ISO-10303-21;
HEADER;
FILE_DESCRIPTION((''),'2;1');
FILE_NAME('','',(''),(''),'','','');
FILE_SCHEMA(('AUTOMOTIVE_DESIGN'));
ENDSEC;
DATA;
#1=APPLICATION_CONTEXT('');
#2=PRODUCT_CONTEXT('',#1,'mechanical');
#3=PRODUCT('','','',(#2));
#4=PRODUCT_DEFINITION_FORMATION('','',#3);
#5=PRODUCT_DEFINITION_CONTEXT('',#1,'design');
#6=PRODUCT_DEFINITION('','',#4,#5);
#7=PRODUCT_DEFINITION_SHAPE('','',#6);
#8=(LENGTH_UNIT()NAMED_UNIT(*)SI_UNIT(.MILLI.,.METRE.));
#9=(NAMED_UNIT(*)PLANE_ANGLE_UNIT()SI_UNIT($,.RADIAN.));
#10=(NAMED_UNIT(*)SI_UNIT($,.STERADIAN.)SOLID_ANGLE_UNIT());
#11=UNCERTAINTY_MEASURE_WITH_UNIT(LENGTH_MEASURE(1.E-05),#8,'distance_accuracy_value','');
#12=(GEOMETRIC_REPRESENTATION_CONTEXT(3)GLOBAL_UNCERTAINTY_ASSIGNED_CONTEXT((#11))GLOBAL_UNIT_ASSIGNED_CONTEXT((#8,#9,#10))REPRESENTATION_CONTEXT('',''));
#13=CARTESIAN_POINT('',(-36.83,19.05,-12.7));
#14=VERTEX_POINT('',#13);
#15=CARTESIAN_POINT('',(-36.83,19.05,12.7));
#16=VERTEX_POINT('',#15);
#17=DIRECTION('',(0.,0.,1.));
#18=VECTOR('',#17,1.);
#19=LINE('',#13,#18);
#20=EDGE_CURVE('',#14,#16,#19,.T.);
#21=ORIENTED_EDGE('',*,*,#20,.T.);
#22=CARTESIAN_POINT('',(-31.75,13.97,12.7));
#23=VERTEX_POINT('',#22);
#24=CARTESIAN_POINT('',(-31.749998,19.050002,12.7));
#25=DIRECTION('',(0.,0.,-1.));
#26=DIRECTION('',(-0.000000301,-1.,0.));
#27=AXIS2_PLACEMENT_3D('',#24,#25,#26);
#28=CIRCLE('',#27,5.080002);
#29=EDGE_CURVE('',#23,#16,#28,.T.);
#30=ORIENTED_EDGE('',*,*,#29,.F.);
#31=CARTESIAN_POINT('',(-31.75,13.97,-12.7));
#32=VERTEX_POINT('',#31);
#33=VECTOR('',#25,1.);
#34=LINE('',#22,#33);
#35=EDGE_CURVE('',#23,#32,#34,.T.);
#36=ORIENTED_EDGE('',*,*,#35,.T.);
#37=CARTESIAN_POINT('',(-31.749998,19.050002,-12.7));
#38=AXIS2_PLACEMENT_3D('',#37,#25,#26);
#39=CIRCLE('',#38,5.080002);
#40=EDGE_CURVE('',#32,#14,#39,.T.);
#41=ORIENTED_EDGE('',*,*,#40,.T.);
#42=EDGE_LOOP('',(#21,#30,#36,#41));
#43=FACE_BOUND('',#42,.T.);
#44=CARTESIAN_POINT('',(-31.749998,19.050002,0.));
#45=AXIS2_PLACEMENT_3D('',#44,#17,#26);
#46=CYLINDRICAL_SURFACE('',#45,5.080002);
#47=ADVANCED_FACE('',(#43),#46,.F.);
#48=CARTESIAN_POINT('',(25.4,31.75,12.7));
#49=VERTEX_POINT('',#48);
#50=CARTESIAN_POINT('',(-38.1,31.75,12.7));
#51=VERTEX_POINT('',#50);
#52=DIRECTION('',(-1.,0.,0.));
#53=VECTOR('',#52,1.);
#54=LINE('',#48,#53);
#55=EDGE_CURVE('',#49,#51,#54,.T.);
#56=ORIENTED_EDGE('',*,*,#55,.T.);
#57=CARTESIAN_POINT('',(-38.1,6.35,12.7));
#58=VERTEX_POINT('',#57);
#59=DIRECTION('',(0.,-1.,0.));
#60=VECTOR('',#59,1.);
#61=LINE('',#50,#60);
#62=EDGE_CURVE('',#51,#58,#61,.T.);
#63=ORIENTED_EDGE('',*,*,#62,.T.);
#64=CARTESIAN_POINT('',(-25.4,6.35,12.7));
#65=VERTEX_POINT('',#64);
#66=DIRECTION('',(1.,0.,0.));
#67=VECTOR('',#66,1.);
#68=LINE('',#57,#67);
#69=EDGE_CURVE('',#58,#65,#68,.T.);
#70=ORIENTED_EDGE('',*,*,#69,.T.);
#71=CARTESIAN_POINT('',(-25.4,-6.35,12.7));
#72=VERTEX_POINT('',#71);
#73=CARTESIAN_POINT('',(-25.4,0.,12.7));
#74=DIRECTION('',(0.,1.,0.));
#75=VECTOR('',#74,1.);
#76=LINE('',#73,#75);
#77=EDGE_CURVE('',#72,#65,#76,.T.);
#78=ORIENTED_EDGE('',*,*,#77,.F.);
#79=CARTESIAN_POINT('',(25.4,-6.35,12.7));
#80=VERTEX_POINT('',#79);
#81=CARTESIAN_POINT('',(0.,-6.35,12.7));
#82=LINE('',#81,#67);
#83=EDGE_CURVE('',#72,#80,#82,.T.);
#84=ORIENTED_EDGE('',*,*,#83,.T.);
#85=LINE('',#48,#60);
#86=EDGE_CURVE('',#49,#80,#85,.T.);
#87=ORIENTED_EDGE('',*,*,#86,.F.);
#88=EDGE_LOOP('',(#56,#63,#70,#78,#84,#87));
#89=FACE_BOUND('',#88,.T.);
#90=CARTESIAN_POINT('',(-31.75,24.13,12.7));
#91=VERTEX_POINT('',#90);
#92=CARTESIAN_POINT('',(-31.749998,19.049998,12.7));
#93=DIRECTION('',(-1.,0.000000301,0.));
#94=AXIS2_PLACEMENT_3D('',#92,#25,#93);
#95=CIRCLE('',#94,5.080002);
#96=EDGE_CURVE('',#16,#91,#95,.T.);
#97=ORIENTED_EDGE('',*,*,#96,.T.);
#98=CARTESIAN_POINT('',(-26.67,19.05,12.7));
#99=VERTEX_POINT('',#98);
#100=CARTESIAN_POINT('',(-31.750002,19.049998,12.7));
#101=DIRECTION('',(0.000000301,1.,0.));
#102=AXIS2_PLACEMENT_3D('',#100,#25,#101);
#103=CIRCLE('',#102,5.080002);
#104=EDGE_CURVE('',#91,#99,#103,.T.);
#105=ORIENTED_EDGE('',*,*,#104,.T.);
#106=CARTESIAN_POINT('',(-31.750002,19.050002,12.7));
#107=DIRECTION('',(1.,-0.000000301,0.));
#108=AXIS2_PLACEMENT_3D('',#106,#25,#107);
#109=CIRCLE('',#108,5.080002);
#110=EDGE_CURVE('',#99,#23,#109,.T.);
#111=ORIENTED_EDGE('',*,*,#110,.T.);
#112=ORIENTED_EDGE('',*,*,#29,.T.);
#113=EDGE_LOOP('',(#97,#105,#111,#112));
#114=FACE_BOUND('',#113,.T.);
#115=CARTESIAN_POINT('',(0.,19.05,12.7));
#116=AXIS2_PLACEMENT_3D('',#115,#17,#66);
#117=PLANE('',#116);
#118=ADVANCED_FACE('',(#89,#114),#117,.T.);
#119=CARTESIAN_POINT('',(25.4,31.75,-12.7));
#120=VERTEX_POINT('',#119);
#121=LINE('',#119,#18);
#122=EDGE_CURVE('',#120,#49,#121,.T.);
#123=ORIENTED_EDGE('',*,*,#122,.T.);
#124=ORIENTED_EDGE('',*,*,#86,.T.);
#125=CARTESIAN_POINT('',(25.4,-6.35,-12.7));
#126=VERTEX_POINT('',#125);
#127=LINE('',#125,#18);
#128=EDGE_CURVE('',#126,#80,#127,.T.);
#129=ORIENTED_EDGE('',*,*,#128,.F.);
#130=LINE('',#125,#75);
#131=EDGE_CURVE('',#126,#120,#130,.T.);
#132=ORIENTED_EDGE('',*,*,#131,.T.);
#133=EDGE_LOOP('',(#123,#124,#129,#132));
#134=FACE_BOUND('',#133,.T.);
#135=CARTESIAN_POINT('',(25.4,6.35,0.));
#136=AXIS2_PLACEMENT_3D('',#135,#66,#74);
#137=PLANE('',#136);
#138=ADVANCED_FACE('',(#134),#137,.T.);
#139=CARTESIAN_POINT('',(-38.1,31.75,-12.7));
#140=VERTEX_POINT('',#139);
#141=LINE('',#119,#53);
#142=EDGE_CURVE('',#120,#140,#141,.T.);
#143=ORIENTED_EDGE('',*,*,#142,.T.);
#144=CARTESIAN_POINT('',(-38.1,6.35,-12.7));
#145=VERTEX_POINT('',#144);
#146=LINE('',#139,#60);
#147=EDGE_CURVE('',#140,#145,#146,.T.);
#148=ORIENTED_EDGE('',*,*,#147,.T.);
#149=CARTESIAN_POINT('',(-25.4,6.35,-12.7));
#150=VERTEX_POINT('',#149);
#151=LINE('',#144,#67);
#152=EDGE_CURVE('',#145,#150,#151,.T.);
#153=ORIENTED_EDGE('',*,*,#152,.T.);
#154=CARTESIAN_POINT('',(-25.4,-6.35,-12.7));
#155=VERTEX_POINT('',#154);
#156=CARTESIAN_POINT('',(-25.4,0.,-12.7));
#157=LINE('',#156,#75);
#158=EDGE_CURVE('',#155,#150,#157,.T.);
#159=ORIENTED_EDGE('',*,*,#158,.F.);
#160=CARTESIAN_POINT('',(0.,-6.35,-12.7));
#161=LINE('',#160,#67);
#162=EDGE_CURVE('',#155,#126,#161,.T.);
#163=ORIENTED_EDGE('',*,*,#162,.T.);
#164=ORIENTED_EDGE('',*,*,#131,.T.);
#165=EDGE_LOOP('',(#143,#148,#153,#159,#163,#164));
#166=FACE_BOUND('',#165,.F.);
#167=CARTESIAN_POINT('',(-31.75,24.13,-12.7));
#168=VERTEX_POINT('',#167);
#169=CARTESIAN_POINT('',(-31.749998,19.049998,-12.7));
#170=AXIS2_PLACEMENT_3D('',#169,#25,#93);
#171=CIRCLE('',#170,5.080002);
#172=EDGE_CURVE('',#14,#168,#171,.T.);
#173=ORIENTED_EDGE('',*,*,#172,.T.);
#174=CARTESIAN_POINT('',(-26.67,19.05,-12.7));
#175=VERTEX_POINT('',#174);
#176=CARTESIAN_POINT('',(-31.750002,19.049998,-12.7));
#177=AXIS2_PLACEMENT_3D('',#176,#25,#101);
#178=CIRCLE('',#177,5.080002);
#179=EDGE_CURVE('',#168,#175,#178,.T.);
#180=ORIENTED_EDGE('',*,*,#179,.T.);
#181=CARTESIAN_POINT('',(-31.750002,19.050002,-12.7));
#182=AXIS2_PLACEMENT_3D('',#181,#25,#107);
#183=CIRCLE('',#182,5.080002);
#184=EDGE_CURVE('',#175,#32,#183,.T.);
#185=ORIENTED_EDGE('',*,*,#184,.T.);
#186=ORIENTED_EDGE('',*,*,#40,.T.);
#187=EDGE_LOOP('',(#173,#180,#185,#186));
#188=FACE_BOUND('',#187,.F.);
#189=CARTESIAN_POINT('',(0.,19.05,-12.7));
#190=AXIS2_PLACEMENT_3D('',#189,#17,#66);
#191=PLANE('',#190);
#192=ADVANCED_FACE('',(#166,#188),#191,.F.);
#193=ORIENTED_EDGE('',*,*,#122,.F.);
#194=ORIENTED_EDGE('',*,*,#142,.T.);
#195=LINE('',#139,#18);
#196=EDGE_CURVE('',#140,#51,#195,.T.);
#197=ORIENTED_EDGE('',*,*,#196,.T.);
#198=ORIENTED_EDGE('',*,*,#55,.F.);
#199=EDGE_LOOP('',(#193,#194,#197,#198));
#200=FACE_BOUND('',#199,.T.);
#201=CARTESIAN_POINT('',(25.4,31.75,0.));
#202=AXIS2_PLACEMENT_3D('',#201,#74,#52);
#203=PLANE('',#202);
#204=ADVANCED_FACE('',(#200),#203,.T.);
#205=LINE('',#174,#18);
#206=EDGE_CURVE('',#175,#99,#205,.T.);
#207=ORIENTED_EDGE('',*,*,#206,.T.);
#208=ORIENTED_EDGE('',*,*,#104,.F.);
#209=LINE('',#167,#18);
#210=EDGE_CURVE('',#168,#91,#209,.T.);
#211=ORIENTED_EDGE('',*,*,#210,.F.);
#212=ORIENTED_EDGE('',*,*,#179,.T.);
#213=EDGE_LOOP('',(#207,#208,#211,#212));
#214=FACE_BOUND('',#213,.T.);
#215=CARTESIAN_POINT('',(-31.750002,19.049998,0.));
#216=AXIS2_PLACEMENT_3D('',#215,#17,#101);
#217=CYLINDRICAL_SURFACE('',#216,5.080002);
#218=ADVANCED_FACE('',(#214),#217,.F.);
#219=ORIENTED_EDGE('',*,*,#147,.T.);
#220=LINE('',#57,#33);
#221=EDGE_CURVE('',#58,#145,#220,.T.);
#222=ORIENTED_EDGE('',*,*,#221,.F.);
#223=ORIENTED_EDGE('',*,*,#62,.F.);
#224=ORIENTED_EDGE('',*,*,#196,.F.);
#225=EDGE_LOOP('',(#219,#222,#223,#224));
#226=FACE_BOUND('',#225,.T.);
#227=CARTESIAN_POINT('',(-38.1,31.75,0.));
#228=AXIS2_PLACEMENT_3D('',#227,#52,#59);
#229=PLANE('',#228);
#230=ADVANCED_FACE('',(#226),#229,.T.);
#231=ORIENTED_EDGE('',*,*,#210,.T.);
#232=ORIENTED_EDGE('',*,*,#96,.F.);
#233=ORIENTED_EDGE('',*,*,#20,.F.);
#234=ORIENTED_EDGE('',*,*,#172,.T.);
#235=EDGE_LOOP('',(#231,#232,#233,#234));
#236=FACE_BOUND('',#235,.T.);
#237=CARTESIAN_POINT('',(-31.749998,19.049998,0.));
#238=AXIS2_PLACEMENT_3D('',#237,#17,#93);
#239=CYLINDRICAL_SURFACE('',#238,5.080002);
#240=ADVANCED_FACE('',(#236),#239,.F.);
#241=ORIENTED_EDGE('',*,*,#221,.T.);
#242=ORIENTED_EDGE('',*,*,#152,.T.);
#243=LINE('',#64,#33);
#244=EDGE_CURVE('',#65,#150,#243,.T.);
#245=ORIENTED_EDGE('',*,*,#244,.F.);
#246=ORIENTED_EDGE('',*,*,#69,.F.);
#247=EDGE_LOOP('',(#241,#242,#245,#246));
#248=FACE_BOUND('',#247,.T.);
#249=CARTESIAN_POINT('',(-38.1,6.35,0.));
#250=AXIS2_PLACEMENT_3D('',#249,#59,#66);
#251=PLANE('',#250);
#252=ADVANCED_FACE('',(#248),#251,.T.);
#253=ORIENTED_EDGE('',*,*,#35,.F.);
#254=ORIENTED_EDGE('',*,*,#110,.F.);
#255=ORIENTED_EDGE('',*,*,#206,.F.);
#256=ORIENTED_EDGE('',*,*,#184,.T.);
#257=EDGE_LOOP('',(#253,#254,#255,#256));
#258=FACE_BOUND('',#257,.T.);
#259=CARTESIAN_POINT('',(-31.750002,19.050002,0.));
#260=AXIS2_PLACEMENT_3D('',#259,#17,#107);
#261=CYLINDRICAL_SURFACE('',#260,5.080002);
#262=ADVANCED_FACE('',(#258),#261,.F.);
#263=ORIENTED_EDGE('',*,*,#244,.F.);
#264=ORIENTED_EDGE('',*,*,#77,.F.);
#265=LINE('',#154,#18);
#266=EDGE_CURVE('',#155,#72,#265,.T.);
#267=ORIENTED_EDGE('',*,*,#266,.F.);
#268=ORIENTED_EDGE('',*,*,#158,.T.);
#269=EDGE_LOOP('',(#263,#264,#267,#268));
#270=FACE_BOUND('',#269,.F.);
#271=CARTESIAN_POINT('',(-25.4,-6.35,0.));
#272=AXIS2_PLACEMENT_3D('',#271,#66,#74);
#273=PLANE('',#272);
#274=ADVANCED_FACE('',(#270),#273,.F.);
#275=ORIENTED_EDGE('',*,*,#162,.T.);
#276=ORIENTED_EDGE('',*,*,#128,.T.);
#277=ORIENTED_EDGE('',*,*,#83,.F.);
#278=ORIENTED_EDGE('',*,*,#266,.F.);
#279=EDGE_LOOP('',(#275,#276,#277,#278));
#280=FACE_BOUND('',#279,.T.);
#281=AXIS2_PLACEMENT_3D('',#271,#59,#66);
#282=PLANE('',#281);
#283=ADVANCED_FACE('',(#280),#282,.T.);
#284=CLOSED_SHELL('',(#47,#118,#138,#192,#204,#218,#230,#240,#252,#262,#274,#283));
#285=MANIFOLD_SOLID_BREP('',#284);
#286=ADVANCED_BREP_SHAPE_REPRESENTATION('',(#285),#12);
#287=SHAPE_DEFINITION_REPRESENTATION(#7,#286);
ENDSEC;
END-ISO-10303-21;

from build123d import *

# Parameters (mm, degrees)
F0_W     = 50.8
F0_H     = 12.7
F1_DEPTH = 12.7
F2_DEPTH = 12.7


with BuildPart() as f1:
    # F0 (on Top) → F1 (new body, symmetric)
    with BuildSketch(Plane.XY):
        Rectangle(F0_W, F0_H)
    extrude(amount=F1_DEPTH, both=True)

    # F0 (on Top) → F2 (join, symmetric)
    with BuildSketch(Plane.XY):
        Polygon((-25.4, 6.35), (25.4, 6.35), (25.4, 31.75), (-25.4, 31.75), (-25.4, 19.05), align=None)
        with BuildLine():
            Line((-26.67, 19.05), (-25.4, 19.05))
            Line((-25.4, 19.05), (-25.4, 31.75))
            Line((-25.4, 31.75), (-31.75, 31.75))
            Line((-31.75, 31.75), (-31.75, 24.13))
            ThreePointArc((-31.75, 24.13), (-28.157898, 22.642102), (-26.67, 19.05))
        make_face()
        with BuildLine():
            Line((-31.75, 24.13), (-31.75, 31.75))
            Line((-31.75, 31.75), (-38.1, 31.75))
            Line((-38.1, 31.75), (-38.1, 19.05))
            Line((-38.1, 19.05), (-36.83, 19.05))
            ThreePointArc((-36.83, 19.05), (-35.342102, 22.642102), (-31.75, 24.13))
        make_face()
        with BuildLine():
            Line((-38.1, 6.35), (-31.75, 6.35))
            Line((-31.75, 6.35), (-31.75, 13.97))
            ThreePointArc((-31.75, 13.97), (-35.342102, 15.457898), (-36.83, 19.05))
            Line((-36.83, 19.05), (-38.1, 19.05))
            Line((-38.1, 19.05), (-38.1, 6.35))
        make_face()
        with BuildLine():
            Line((-31.75, 6.35), (-25.4, 6.35))
            Line((-25.4, 6.35), (-25.4, 19.05))
            Line((-25.4, 19.05), (-26.67, 19.05))
            ThreePointArc((-26.67, 19.05), (-28.157898, 15.457898), (-31.75, 13.97))
            Line((-31.75, 13.97), (-31.75, 6.35))
        make_face()
    extrude(amount=F2_DEPTH, both=True)


solid = f1.part
